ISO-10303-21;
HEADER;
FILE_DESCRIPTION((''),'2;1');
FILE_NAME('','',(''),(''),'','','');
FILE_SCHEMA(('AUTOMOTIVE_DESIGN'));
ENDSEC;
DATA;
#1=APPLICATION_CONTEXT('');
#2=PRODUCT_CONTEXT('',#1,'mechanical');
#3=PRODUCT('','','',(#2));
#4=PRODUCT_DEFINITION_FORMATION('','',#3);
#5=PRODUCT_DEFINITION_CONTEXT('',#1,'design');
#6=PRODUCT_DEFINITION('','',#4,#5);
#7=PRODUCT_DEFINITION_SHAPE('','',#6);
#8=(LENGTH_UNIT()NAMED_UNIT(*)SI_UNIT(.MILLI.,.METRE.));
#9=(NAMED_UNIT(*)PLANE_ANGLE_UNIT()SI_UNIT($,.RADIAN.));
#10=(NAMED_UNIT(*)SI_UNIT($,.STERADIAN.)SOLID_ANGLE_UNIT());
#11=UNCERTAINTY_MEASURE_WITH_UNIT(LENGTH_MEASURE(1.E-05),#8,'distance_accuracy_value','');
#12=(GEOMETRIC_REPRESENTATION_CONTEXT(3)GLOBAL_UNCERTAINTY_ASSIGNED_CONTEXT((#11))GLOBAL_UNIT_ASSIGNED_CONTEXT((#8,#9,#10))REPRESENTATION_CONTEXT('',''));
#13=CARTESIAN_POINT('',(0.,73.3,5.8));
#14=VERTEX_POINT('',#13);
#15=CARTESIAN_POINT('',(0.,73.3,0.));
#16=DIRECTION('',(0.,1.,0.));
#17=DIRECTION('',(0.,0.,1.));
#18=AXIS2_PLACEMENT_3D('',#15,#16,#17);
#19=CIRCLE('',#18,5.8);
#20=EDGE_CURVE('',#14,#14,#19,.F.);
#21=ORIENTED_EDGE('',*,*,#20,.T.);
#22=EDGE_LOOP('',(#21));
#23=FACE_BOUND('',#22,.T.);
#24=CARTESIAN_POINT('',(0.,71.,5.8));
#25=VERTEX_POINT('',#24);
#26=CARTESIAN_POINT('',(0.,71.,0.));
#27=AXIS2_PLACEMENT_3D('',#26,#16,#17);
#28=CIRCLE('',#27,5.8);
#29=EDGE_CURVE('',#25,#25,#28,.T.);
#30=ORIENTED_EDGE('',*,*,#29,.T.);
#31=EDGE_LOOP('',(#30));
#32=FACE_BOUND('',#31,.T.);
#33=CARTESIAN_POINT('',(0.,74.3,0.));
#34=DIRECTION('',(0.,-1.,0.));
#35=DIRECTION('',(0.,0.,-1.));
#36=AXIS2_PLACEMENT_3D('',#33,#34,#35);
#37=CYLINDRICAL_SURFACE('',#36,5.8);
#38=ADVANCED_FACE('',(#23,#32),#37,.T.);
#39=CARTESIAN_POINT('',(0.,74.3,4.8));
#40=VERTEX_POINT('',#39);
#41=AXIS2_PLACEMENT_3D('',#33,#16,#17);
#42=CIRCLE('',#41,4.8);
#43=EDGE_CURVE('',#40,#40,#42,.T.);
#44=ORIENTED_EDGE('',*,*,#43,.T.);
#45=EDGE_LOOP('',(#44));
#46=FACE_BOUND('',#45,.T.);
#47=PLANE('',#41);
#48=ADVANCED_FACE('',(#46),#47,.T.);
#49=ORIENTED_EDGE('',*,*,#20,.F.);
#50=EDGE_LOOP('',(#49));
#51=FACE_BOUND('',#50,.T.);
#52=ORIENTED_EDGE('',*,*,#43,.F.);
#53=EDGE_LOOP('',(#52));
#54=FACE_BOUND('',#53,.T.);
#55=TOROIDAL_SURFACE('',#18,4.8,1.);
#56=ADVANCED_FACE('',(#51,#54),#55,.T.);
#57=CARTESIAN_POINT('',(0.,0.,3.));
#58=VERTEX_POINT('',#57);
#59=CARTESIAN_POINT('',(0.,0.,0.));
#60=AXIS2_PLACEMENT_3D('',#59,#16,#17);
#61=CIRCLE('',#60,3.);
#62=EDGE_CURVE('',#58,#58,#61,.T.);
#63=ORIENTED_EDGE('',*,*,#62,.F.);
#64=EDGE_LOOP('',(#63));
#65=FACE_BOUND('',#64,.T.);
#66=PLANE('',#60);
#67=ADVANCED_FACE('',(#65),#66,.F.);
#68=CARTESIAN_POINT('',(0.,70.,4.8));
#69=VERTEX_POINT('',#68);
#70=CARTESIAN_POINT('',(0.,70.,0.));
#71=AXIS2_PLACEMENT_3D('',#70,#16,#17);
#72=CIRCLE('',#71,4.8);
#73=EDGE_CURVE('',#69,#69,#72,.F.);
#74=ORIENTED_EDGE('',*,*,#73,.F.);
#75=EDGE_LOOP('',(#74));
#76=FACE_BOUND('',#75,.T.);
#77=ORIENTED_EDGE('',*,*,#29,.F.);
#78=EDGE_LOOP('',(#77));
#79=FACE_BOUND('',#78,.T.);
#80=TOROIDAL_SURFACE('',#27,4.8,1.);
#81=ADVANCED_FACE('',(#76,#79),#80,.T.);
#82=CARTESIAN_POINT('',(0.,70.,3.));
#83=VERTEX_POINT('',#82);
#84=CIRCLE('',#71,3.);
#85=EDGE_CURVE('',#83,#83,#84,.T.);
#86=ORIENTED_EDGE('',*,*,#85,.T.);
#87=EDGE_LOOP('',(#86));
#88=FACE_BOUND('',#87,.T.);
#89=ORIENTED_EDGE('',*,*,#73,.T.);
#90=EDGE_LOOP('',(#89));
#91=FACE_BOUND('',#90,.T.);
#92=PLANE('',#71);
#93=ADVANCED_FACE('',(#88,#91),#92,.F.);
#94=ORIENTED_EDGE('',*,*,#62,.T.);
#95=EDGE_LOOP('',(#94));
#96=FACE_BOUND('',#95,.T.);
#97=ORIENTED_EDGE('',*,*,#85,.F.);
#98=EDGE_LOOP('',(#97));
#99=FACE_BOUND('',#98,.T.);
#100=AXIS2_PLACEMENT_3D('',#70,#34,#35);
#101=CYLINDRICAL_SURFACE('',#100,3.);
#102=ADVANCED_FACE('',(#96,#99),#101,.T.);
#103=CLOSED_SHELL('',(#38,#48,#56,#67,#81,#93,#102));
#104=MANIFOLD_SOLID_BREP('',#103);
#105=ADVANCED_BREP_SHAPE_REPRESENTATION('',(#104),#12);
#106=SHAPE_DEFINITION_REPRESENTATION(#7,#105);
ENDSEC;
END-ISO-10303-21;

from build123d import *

# Parameters (mm, degrees)
SKETCH1_R           = 3
BOSS_EXTRUDE1_DEPTH = 70
SKETCH2_R           = 5.8
BOSS_EXTRUDE2_DEPTH = 4.3
FILLET1_R           = 1


with BuildPart() as part:
    # Sketch1 → Boss-Extrude1 (new body)
    with BuildSketch(Plane(origin=(0, 0, 0), x_dir=(1, 0, 0), z_dir=(0, 1, 0))):
        with Locations(Location((0, 0, 0), (0, 0, 270))):  # turned: the seam where the file's is
            Circle(SKETCH1_R)
    extrude(amount=BOSS_EXTRUDE1_DEPTH)

    # Sketch2 → Boss-Extrude2 (add)
    with BuildSketch(Plane(origin=(0, 70, 0), x_dir=(1, 0, 0), z_dir=(0, 1, 0))):
        with Locations(Location((0, 0, 0), (0, 0, 270))):  # turned: the seam where the file's is
            Circle(SKETCH2_R)
    extrude(amount=BOSS_EXTRUDE2_DEPTH)

    # Fillet1
    fillet1_edges = [part.edges().sort_by_distance(p)[0] for p in [
        (0, 70, -5.8),
        (0, 74.3, -5.8),
    ]]
    fillet(fillet1_edges, radius=FILLET1_R)


solid = part.part
